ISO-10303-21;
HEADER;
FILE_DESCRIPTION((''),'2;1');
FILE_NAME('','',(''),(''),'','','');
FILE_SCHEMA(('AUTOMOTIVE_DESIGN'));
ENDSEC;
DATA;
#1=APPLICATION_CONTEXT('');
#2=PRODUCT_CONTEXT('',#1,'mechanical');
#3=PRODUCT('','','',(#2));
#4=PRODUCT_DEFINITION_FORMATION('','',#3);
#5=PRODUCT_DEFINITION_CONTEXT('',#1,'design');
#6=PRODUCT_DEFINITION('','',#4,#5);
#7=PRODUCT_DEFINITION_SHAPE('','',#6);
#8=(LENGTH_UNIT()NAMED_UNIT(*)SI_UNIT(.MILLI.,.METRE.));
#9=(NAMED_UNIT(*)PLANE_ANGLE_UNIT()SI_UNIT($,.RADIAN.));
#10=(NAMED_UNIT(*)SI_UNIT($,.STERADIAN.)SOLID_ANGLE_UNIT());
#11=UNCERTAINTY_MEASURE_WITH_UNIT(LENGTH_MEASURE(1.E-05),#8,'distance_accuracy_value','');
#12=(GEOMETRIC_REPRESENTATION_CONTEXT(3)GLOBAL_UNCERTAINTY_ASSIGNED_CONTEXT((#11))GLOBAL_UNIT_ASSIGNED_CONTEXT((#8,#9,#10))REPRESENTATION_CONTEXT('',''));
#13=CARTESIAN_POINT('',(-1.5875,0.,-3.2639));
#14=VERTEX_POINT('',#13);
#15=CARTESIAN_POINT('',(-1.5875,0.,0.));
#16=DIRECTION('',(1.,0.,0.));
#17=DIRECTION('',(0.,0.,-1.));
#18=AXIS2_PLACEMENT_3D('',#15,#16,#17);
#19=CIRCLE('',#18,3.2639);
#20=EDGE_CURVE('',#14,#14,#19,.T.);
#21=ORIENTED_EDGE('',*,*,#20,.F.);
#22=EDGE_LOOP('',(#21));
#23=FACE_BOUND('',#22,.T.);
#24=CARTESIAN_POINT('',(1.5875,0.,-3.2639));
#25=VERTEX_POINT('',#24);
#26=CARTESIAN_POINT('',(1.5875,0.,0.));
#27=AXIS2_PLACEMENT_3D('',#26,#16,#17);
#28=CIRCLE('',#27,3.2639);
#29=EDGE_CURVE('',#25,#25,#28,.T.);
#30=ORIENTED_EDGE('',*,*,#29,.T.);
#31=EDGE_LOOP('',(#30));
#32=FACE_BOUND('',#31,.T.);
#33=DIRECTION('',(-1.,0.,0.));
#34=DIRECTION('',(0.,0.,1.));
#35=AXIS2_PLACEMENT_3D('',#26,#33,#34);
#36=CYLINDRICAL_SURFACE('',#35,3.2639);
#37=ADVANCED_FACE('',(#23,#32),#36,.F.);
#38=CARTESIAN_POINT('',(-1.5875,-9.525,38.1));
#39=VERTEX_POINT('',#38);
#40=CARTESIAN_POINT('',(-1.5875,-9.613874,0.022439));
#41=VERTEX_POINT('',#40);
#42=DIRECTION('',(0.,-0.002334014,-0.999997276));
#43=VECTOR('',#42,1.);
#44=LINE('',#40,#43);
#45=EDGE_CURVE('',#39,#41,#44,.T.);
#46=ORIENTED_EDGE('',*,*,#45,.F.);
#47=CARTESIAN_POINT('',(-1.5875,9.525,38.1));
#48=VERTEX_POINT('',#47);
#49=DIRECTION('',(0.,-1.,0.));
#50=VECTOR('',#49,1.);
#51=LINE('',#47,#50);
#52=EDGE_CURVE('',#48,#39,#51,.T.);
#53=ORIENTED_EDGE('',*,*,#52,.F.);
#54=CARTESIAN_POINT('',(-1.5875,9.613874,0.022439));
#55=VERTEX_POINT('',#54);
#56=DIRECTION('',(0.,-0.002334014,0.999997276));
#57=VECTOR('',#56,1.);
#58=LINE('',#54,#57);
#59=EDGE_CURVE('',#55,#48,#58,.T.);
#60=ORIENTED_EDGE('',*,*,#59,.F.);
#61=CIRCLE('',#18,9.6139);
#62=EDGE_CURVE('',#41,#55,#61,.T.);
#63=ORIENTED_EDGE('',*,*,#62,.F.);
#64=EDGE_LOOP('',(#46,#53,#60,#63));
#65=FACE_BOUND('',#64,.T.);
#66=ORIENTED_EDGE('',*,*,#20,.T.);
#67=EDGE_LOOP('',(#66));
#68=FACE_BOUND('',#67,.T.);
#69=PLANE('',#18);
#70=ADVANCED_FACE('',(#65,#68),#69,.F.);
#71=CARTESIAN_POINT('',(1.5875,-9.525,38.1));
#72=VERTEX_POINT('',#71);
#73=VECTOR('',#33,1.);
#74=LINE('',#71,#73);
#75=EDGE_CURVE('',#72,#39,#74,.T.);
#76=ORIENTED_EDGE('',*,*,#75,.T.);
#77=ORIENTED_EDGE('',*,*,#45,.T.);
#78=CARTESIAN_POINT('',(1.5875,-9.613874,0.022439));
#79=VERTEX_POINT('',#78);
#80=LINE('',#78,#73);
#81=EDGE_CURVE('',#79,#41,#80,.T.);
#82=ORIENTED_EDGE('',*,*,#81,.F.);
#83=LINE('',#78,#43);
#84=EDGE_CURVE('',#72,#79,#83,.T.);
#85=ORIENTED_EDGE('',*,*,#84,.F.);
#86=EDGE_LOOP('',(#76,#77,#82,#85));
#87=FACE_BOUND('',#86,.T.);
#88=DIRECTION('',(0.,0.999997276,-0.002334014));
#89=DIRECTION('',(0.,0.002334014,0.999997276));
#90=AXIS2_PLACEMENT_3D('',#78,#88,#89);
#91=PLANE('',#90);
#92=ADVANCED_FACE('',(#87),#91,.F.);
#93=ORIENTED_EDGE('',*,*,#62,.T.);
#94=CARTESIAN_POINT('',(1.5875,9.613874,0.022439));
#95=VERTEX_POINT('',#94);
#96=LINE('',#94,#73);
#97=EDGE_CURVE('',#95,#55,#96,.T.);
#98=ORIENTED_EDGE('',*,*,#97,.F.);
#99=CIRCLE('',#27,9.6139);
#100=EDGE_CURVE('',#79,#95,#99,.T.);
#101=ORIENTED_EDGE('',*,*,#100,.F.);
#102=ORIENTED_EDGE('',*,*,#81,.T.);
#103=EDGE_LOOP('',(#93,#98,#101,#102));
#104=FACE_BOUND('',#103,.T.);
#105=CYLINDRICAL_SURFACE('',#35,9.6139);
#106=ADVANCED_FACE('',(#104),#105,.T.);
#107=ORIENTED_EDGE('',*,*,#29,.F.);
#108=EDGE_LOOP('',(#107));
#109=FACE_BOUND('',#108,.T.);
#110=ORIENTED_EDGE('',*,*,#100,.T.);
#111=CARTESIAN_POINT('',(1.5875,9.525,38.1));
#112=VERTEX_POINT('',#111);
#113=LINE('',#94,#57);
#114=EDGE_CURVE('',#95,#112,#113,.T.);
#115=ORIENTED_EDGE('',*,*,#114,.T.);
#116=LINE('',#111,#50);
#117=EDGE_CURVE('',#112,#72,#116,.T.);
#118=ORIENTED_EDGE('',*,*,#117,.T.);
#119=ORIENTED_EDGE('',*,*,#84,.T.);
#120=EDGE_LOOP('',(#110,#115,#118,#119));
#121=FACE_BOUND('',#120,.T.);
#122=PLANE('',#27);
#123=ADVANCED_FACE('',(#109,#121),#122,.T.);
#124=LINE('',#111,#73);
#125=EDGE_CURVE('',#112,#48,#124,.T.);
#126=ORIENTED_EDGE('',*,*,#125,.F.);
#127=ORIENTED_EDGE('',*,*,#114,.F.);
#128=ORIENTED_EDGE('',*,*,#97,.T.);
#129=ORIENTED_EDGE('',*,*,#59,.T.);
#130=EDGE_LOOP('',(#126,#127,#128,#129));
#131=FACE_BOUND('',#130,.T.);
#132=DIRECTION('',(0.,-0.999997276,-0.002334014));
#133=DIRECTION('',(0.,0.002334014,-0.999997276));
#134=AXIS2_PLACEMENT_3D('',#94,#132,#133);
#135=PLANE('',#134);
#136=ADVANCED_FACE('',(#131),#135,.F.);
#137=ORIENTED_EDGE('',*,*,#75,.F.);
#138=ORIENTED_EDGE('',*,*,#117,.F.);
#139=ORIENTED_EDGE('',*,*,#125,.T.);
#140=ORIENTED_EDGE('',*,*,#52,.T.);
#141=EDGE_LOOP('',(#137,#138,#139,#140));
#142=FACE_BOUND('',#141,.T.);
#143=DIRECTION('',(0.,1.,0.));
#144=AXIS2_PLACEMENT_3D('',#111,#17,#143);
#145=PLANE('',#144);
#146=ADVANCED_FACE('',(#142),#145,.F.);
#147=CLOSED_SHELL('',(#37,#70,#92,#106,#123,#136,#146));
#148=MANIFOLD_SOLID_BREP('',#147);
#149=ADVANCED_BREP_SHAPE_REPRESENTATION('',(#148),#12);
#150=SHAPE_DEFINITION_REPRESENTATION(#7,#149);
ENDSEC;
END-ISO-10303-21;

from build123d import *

# Parameters (mm, degrees)
SKETCH1_R           = 3.2639
BOSS_EXTRUDE1_DEPTH = 1.5875


with BuildPart() as part:
    # Sketch1 → Boss-Extrude1 (new body, symmetric)
    with BuildSketch(Plane(origin=(0, 0, 0), x_dir=(0, 0, -1), z_dir=(1, 0, 0))):
        with BuildLine():
            Line((-38.1, 9.525), (-38.1, -9.525))
            Line((-38.1, -9.525), (-0.02243898, -9.613873814))
            ThreePointArc((-0.02243898, -9.613873814), (9.6139, 0), (-0.02243898, 9.613873814))
            Line((-0.02243898, 9.613873814), (-38.1, 9.525))
        make_face()
        Circle(SKETCH1_R, mode=Mode.SUBTRACT)
    extrude(amount=BOSS_EXTRUDE1_DEPTH, both=True)


solid = part.part
